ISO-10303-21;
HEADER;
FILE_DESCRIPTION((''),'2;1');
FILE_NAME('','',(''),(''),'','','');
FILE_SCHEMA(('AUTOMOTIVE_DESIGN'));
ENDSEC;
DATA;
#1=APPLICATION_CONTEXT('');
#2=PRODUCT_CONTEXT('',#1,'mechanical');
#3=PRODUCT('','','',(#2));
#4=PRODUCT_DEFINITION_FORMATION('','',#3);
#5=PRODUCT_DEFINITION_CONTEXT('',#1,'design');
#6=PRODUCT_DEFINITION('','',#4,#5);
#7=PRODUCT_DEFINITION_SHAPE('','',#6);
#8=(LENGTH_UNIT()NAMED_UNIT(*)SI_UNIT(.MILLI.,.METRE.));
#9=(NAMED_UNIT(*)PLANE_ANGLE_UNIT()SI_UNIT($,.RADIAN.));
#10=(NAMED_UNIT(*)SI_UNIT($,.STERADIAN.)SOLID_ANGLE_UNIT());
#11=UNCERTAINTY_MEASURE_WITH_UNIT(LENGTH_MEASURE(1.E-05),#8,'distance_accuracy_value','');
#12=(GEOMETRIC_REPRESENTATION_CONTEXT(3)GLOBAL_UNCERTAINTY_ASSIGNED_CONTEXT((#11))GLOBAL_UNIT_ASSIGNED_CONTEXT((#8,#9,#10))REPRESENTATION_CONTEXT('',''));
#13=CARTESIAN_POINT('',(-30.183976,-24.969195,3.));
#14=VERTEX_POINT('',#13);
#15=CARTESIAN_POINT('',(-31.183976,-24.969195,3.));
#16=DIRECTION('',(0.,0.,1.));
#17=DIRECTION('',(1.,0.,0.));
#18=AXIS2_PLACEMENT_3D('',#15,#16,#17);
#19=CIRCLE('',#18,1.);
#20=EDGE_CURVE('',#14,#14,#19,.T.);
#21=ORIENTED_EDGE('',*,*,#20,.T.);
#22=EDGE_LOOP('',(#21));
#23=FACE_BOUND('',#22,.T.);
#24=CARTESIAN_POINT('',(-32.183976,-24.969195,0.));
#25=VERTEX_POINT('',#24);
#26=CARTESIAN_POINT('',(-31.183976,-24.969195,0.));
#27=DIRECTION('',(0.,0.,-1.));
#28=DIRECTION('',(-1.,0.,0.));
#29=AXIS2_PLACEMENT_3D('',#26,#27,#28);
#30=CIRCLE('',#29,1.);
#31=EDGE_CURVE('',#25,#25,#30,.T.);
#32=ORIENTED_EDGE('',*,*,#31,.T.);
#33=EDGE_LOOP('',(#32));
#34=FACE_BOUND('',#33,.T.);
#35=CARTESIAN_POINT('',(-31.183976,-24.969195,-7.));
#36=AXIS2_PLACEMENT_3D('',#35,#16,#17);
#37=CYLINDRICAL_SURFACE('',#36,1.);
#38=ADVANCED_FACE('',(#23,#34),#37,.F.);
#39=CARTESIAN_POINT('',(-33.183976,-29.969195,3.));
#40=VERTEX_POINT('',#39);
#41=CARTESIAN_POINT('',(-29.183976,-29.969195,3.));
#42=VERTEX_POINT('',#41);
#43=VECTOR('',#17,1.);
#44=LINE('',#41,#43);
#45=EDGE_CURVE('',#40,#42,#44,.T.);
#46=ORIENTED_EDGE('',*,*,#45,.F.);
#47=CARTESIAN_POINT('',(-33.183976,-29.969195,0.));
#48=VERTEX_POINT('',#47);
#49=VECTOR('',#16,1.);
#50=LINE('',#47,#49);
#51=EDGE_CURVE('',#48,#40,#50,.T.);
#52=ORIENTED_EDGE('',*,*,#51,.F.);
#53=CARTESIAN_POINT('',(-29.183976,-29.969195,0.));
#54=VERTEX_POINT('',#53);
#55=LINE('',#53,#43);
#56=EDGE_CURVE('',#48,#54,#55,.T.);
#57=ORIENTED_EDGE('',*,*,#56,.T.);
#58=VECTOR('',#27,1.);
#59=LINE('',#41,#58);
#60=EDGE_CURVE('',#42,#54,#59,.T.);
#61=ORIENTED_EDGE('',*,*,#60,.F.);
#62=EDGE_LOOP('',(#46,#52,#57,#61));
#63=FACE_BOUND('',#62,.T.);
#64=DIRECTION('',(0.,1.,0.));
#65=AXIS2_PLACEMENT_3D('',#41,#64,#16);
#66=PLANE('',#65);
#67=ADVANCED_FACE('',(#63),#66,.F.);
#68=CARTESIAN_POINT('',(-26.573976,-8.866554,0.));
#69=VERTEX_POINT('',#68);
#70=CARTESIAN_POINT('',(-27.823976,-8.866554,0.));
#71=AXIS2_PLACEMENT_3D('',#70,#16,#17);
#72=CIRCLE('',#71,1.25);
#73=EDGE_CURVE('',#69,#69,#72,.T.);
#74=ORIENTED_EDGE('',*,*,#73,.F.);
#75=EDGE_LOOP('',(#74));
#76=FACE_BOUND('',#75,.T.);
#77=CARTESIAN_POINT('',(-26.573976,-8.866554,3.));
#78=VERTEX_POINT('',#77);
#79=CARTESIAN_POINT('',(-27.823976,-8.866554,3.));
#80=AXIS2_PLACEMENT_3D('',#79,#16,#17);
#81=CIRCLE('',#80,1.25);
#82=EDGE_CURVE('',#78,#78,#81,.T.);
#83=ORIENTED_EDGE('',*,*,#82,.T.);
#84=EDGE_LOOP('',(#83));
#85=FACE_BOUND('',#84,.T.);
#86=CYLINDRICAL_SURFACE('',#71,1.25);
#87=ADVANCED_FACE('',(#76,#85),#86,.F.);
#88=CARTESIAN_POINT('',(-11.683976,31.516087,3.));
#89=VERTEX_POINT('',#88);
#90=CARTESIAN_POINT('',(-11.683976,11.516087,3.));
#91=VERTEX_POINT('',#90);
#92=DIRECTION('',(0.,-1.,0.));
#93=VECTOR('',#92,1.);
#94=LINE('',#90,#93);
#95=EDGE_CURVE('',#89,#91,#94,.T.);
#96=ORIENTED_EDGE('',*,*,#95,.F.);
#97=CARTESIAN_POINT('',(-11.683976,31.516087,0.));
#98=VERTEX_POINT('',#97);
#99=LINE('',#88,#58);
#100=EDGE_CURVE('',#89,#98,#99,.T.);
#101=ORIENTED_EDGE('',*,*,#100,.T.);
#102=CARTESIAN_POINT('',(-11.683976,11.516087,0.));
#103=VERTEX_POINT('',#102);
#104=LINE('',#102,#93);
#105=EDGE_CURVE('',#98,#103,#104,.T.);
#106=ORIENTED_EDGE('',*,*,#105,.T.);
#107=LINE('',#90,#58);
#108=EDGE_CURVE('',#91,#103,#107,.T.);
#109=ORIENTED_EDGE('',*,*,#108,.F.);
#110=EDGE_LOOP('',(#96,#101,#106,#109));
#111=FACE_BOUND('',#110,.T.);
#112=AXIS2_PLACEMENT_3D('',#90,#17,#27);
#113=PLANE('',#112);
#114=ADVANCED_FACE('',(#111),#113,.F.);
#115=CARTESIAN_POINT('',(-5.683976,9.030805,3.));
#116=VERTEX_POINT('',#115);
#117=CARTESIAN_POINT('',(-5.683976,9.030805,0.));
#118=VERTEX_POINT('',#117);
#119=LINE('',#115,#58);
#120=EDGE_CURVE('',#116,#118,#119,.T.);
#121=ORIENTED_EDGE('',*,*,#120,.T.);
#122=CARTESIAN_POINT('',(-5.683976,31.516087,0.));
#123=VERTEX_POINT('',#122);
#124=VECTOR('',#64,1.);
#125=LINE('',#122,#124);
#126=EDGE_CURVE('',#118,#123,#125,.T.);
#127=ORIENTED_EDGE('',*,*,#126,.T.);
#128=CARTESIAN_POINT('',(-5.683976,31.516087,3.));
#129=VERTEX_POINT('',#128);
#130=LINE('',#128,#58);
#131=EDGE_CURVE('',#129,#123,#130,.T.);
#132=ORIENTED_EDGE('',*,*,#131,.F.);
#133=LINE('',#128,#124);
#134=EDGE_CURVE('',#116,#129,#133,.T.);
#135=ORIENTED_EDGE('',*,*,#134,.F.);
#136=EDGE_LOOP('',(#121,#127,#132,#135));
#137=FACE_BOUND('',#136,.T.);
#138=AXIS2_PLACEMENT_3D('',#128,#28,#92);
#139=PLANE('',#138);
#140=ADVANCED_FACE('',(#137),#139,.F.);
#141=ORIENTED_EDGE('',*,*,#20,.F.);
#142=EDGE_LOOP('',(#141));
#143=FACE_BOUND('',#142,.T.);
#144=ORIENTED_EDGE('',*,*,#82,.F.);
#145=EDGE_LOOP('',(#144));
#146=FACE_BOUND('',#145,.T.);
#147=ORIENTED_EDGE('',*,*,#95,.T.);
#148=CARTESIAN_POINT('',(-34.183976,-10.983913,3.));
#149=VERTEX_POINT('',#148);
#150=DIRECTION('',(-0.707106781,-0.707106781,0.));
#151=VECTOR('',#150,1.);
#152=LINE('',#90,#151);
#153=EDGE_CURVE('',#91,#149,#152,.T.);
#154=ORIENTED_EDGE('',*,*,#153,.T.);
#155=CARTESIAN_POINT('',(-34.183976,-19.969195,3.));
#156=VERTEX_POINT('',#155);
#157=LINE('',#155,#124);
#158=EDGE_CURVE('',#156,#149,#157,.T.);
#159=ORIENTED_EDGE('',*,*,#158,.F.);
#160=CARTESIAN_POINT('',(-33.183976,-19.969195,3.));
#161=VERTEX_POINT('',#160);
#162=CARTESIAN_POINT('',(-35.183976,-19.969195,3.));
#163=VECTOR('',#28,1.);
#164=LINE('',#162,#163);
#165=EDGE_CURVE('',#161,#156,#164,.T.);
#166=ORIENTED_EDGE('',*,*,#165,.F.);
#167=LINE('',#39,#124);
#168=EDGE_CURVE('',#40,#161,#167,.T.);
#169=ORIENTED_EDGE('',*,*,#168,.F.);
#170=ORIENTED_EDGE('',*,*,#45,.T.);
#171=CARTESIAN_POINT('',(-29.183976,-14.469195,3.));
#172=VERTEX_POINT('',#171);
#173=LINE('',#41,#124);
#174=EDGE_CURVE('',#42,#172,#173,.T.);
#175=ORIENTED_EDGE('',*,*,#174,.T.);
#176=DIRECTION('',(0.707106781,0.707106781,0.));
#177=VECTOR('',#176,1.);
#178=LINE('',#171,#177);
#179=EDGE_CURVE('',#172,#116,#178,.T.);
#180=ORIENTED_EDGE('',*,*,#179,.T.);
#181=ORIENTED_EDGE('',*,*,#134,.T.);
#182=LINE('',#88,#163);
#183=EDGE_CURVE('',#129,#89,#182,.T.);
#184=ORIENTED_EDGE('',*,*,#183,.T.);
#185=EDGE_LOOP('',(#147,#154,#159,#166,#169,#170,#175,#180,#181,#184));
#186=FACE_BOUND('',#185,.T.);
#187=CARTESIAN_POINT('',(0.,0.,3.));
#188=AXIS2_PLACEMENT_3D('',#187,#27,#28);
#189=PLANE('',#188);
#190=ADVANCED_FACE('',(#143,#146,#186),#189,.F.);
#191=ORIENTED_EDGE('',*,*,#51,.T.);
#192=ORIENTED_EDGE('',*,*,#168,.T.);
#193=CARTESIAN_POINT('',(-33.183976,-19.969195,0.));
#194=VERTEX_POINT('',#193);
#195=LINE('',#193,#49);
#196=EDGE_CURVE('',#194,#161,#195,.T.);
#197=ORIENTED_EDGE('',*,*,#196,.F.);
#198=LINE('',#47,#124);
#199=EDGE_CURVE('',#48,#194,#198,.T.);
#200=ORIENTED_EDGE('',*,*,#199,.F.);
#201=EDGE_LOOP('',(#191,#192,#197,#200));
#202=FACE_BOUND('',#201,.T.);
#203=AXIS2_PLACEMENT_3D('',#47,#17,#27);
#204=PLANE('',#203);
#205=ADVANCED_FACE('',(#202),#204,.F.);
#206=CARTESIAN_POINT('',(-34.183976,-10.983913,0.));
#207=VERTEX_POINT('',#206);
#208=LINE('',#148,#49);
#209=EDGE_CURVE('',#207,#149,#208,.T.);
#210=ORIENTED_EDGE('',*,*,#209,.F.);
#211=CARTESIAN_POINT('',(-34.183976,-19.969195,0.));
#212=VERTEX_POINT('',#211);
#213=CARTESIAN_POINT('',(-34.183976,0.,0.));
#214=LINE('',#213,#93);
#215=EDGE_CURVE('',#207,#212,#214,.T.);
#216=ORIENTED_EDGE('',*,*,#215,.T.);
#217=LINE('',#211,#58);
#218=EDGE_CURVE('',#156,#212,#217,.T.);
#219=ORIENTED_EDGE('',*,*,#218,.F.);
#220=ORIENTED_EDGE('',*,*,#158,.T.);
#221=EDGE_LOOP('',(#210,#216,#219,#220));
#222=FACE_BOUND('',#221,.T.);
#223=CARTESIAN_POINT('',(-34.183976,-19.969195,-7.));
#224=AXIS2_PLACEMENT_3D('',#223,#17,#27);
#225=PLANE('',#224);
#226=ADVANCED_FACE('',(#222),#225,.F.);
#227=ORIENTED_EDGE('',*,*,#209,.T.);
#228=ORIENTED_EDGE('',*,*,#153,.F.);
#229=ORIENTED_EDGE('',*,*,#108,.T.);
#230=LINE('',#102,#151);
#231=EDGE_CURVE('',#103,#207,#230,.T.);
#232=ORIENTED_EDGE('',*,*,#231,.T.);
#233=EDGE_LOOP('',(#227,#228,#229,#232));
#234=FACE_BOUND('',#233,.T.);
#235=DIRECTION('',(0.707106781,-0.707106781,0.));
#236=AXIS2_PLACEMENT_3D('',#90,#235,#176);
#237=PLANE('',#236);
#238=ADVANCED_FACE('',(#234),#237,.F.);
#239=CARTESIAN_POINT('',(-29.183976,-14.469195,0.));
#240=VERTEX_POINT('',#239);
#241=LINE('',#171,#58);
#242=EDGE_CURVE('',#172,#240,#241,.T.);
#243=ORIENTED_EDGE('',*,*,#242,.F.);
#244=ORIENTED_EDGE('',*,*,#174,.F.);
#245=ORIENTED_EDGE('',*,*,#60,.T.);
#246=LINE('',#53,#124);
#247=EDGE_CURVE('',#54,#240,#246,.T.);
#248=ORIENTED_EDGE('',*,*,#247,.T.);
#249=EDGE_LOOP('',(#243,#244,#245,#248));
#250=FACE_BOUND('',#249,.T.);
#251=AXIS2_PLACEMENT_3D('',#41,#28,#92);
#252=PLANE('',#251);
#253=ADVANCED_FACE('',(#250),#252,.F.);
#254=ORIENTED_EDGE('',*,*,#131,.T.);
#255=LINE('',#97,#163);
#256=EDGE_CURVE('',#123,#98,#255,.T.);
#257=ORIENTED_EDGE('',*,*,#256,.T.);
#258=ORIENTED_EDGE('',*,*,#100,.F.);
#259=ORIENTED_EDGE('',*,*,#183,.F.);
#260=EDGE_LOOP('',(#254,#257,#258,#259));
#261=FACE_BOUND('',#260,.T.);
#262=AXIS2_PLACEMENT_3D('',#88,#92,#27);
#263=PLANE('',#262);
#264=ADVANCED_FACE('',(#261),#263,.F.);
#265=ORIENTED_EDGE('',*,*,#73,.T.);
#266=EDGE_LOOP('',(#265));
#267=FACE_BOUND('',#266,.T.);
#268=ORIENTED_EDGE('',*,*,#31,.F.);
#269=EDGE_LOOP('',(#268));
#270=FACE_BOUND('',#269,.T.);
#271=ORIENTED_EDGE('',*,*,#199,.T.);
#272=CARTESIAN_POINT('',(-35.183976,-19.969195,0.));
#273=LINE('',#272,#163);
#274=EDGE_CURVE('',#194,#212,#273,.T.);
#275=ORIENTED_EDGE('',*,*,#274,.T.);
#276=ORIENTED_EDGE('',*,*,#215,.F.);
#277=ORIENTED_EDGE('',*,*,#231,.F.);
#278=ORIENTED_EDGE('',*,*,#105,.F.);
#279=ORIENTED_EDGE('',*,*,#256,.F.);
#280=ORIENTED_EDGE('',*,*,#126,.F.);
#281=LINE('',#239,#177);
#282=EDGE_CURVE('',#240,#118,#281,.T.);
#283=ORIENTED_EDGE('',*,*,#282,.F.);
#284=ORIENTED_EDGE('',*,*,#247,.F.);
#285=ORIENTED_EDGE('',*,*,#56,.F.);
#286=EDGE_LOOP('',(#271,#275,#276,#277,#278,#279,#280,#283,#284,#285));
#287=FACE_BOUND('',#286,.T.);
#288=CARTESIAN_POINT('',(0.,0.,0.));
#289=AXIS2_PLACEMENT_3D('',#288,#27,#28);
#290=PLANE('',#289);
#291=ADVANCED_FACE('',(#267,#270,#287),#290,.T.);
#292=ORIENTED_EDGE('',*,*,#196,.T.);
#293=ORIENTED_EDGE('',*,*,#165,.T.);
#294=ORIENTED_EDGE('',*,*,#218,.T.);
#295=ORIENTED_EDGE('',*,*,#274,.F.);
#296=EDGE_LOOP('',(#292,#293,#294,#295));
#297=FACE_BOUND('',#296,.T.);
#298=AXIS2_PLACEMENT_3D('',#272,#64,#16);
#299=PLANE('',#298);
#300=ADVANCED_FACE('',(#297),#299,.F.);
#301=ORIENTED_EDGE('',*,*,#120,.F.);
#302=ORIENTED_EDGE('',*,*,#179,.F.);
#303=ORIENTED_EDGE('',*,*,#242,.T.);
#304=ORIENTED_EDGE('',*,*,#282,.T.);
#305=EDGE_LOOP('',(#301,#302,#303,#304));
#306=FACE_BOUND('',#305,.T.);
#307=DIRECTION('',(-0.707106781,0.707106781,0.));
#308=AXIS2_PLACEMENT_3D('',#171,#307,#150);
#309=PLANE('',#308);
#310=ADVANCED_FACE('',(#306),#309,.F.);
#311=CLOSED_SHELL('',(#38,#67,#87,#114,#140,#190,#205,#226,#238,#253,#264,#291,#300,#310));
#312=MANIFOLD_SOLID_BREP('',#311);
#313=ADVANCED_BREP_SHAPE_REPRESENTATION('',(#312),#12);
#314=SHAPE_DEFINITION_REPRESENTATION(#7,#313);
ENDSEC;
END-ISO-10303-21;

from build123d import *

# Parameters (mm, degrees)
BOSS_EXTRUDE1_DEPTH = 3
SKETCH3_W           = 2
SKETCH3_H           = 10
CUT_EXTRUDE2_DEPTH  = 3
SKETCH5_W           = 1
SKETCH5_H           = 12.104258702
CUT_EXTRUDE4_DEPTH  = 10
SKETCH6_R           = 1.25
CUT_EXTRUDE5_DEPTH  = 3
SKETCH7_R           = 1
CUT_EXTRUDE6_DEPTH  = 10


with BuildPart() as part:
    # Sketch1 → Boss-Extrude1 (new body)
    with BuildSketch(Plane.XY):
        Polygon((-29.183975781, -29.96919486), (-29.183975781, -14.46919486), (-5.683975781, 9.03080514), (-5.683975781, 31.516086514), (-11.683975781, 31.516086514), (-11.683975781, 11.516086514), (-35.183975781, -11.983913486), (-35.183975781, -29.96919486), align=None)
    extrude(amount=BOSS_EXTRUDE1_DEPTH)

    # Sketch3 → Cut-Extrude2 (cut)
    with BuildSketch(Plane.XY.offset(3)):
        with Locations((-34.183975781, -24.96919486)):
            Rectangle(SKETCH3_W, SKETCH3_H)
    extrude(amount=-CUT_EXTRUDE2_DEPTH, mode=Mode.SUBTRACT)

    # Sketch5 → Cut-Extrude4 (cut)
    with BuildSketch(Plane.XY.offset(3)):
        with Locations((-34.683975781, -13.917065509)):
            Rectangle(SKETCH5_W, SKETCH5_H)
    extrude(amount=-CUT_EXTRUDE4_DEPTH, mode=Mode.SUBTRACT)

    # Sketch6 → Cut-Extrude5 (cut)
    with BuildSketch(Plane.XY.offset(3)):
        with Locations((-27.823975781, -8.866554173)):
            Circle(SKETCH6_R)
    extrude(amount=-CUT_EXTRUDE5_DEPTH, mode=Mode.SUBTRACT)

    # Sketch7 → Cut-Extrude6 (cut)
    with BuildSketch(Plane.XY.offset(3)):
        with Locations((-31.183975781, -24.96919486)):
            Circle(SKETCH7_R)
    extrude(amount=-CUT_EXTRUDE6_DEPTH, mode=Mode.SUBTRACT)


solid = part.part
